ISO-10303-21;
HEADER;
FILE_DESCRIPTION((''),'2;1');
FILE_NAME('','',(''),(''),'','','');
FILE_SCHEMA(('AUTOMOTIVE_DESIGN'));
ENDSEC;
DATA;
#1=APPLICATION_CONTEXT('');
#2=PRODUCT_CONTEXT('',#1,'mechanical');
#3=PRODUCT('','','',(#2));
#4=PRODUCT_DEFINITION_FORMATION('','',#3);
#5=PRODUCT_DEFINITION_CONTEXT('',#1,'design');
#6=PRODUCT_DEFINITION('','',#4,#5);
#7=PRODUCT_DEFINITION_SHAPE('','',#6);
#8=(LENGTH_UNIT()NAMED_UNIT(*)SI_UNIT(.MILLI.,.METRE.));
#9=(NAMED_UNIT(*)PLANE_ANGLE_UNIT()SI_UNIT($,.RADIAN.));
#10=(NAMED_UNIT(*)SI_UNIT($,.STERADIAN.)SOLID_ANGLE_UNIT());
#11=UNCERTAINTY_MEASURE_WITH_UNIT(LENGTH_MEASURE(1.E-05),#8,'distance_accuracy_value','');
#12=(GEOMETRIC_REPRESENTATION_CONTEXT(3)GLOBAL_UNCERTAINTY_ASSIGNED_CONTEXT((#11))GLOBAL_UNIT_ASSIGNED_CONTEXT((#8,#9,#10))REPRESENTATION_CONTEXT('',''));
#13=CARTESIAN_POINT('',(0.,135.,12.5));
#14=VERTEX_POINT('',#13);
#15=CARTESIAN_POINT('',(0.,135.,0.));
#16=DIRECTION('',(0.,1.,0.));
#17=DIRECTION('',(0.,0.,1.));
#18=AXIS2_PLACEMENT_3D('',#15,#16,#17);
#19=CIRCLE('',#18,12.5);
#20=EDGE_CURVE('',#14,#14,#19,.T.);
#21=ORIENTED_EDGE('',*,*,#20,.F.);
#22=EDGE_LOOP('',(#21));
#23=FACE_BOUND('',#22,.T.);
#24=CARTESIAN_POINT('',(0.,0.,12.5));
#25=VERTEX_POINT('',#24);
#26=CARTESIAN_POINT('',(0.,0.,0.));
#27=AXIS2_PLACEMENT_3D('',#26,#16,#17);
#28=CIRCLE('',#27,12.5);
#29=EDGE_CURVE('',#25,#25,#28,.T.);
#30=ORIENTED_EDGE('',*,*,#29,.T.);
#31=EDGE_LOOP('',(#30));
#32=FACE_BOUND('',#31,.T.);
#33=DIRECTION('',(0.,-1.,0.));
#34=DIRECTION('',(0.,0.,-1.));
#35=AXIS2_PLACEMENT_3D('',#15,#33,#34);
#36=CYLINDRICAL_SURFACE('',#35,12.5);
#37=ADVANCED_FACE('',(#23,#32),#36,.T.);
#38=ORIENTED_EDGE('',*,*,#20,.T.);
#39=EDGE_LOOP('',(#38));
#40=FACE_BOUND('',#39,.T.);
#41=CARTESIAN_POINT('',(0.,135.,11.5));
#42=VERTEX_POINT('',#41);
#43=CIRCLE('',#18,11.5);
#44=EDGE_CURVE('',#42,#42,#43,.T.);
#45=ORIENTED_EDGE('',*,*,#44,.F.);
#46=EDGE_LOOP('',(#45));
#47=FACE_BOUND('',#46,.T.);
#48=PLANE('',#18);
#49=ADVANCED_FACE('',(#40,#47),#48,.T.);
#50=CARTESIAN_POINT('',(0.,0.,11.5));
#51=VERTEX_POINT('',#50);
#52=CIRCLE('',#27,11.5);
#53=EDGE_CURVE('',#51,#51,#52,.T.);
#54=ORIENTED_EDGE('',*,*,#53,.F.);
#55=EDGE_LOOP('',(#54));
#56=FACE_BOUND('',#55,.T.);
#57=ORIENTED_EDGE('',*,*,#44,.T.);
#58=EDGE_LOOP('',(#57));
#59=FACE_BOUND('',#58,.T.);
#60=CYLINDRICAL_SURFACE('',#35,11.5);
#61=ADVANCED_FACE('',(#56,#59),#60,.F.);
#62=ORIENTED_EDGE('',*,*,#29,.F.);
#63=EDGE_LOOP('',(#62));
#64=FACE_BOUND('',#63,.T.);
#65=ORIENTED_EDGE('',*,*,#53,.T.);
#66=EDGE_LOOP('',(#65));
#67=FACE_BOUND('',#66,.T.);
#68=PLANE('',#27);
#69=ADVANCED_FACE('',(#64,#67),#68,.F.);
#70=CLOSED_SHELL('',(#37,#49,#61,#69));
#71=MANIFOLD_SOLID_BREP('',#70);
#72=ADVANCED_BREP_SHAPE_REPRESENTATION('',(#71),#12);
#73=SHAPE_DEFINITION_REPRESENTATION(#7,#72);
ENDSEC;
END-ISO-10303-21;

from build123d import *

# Parameters (mm, degrees)
SKETCH_1_R      = 12.5
SKETCH_1_R_2    = 11.5
EXTRUDE_1_DEPTH = 135


with BuildPart() as part:
    # Эскиз1 → Бобышка-Вытянуть1 (new body)
    with BuildSketch(Plane(origin=(0, 0, 0), x_dir=(1, 0, 0), z_dir=(0, 1, 0))):
        with Locations(Location((0, 0, 0), (0, 0, 270))):
            Circle(SKETCH_1_R)
        with Locations(Location((0, 0, 0), (0, 0, 270))):
            Circle(SKETCH_1_R_2, mode=Mode.SUBTRACT)
    extrude(amount=EXTRUDE_1_DEPTH)


solid = part.part
